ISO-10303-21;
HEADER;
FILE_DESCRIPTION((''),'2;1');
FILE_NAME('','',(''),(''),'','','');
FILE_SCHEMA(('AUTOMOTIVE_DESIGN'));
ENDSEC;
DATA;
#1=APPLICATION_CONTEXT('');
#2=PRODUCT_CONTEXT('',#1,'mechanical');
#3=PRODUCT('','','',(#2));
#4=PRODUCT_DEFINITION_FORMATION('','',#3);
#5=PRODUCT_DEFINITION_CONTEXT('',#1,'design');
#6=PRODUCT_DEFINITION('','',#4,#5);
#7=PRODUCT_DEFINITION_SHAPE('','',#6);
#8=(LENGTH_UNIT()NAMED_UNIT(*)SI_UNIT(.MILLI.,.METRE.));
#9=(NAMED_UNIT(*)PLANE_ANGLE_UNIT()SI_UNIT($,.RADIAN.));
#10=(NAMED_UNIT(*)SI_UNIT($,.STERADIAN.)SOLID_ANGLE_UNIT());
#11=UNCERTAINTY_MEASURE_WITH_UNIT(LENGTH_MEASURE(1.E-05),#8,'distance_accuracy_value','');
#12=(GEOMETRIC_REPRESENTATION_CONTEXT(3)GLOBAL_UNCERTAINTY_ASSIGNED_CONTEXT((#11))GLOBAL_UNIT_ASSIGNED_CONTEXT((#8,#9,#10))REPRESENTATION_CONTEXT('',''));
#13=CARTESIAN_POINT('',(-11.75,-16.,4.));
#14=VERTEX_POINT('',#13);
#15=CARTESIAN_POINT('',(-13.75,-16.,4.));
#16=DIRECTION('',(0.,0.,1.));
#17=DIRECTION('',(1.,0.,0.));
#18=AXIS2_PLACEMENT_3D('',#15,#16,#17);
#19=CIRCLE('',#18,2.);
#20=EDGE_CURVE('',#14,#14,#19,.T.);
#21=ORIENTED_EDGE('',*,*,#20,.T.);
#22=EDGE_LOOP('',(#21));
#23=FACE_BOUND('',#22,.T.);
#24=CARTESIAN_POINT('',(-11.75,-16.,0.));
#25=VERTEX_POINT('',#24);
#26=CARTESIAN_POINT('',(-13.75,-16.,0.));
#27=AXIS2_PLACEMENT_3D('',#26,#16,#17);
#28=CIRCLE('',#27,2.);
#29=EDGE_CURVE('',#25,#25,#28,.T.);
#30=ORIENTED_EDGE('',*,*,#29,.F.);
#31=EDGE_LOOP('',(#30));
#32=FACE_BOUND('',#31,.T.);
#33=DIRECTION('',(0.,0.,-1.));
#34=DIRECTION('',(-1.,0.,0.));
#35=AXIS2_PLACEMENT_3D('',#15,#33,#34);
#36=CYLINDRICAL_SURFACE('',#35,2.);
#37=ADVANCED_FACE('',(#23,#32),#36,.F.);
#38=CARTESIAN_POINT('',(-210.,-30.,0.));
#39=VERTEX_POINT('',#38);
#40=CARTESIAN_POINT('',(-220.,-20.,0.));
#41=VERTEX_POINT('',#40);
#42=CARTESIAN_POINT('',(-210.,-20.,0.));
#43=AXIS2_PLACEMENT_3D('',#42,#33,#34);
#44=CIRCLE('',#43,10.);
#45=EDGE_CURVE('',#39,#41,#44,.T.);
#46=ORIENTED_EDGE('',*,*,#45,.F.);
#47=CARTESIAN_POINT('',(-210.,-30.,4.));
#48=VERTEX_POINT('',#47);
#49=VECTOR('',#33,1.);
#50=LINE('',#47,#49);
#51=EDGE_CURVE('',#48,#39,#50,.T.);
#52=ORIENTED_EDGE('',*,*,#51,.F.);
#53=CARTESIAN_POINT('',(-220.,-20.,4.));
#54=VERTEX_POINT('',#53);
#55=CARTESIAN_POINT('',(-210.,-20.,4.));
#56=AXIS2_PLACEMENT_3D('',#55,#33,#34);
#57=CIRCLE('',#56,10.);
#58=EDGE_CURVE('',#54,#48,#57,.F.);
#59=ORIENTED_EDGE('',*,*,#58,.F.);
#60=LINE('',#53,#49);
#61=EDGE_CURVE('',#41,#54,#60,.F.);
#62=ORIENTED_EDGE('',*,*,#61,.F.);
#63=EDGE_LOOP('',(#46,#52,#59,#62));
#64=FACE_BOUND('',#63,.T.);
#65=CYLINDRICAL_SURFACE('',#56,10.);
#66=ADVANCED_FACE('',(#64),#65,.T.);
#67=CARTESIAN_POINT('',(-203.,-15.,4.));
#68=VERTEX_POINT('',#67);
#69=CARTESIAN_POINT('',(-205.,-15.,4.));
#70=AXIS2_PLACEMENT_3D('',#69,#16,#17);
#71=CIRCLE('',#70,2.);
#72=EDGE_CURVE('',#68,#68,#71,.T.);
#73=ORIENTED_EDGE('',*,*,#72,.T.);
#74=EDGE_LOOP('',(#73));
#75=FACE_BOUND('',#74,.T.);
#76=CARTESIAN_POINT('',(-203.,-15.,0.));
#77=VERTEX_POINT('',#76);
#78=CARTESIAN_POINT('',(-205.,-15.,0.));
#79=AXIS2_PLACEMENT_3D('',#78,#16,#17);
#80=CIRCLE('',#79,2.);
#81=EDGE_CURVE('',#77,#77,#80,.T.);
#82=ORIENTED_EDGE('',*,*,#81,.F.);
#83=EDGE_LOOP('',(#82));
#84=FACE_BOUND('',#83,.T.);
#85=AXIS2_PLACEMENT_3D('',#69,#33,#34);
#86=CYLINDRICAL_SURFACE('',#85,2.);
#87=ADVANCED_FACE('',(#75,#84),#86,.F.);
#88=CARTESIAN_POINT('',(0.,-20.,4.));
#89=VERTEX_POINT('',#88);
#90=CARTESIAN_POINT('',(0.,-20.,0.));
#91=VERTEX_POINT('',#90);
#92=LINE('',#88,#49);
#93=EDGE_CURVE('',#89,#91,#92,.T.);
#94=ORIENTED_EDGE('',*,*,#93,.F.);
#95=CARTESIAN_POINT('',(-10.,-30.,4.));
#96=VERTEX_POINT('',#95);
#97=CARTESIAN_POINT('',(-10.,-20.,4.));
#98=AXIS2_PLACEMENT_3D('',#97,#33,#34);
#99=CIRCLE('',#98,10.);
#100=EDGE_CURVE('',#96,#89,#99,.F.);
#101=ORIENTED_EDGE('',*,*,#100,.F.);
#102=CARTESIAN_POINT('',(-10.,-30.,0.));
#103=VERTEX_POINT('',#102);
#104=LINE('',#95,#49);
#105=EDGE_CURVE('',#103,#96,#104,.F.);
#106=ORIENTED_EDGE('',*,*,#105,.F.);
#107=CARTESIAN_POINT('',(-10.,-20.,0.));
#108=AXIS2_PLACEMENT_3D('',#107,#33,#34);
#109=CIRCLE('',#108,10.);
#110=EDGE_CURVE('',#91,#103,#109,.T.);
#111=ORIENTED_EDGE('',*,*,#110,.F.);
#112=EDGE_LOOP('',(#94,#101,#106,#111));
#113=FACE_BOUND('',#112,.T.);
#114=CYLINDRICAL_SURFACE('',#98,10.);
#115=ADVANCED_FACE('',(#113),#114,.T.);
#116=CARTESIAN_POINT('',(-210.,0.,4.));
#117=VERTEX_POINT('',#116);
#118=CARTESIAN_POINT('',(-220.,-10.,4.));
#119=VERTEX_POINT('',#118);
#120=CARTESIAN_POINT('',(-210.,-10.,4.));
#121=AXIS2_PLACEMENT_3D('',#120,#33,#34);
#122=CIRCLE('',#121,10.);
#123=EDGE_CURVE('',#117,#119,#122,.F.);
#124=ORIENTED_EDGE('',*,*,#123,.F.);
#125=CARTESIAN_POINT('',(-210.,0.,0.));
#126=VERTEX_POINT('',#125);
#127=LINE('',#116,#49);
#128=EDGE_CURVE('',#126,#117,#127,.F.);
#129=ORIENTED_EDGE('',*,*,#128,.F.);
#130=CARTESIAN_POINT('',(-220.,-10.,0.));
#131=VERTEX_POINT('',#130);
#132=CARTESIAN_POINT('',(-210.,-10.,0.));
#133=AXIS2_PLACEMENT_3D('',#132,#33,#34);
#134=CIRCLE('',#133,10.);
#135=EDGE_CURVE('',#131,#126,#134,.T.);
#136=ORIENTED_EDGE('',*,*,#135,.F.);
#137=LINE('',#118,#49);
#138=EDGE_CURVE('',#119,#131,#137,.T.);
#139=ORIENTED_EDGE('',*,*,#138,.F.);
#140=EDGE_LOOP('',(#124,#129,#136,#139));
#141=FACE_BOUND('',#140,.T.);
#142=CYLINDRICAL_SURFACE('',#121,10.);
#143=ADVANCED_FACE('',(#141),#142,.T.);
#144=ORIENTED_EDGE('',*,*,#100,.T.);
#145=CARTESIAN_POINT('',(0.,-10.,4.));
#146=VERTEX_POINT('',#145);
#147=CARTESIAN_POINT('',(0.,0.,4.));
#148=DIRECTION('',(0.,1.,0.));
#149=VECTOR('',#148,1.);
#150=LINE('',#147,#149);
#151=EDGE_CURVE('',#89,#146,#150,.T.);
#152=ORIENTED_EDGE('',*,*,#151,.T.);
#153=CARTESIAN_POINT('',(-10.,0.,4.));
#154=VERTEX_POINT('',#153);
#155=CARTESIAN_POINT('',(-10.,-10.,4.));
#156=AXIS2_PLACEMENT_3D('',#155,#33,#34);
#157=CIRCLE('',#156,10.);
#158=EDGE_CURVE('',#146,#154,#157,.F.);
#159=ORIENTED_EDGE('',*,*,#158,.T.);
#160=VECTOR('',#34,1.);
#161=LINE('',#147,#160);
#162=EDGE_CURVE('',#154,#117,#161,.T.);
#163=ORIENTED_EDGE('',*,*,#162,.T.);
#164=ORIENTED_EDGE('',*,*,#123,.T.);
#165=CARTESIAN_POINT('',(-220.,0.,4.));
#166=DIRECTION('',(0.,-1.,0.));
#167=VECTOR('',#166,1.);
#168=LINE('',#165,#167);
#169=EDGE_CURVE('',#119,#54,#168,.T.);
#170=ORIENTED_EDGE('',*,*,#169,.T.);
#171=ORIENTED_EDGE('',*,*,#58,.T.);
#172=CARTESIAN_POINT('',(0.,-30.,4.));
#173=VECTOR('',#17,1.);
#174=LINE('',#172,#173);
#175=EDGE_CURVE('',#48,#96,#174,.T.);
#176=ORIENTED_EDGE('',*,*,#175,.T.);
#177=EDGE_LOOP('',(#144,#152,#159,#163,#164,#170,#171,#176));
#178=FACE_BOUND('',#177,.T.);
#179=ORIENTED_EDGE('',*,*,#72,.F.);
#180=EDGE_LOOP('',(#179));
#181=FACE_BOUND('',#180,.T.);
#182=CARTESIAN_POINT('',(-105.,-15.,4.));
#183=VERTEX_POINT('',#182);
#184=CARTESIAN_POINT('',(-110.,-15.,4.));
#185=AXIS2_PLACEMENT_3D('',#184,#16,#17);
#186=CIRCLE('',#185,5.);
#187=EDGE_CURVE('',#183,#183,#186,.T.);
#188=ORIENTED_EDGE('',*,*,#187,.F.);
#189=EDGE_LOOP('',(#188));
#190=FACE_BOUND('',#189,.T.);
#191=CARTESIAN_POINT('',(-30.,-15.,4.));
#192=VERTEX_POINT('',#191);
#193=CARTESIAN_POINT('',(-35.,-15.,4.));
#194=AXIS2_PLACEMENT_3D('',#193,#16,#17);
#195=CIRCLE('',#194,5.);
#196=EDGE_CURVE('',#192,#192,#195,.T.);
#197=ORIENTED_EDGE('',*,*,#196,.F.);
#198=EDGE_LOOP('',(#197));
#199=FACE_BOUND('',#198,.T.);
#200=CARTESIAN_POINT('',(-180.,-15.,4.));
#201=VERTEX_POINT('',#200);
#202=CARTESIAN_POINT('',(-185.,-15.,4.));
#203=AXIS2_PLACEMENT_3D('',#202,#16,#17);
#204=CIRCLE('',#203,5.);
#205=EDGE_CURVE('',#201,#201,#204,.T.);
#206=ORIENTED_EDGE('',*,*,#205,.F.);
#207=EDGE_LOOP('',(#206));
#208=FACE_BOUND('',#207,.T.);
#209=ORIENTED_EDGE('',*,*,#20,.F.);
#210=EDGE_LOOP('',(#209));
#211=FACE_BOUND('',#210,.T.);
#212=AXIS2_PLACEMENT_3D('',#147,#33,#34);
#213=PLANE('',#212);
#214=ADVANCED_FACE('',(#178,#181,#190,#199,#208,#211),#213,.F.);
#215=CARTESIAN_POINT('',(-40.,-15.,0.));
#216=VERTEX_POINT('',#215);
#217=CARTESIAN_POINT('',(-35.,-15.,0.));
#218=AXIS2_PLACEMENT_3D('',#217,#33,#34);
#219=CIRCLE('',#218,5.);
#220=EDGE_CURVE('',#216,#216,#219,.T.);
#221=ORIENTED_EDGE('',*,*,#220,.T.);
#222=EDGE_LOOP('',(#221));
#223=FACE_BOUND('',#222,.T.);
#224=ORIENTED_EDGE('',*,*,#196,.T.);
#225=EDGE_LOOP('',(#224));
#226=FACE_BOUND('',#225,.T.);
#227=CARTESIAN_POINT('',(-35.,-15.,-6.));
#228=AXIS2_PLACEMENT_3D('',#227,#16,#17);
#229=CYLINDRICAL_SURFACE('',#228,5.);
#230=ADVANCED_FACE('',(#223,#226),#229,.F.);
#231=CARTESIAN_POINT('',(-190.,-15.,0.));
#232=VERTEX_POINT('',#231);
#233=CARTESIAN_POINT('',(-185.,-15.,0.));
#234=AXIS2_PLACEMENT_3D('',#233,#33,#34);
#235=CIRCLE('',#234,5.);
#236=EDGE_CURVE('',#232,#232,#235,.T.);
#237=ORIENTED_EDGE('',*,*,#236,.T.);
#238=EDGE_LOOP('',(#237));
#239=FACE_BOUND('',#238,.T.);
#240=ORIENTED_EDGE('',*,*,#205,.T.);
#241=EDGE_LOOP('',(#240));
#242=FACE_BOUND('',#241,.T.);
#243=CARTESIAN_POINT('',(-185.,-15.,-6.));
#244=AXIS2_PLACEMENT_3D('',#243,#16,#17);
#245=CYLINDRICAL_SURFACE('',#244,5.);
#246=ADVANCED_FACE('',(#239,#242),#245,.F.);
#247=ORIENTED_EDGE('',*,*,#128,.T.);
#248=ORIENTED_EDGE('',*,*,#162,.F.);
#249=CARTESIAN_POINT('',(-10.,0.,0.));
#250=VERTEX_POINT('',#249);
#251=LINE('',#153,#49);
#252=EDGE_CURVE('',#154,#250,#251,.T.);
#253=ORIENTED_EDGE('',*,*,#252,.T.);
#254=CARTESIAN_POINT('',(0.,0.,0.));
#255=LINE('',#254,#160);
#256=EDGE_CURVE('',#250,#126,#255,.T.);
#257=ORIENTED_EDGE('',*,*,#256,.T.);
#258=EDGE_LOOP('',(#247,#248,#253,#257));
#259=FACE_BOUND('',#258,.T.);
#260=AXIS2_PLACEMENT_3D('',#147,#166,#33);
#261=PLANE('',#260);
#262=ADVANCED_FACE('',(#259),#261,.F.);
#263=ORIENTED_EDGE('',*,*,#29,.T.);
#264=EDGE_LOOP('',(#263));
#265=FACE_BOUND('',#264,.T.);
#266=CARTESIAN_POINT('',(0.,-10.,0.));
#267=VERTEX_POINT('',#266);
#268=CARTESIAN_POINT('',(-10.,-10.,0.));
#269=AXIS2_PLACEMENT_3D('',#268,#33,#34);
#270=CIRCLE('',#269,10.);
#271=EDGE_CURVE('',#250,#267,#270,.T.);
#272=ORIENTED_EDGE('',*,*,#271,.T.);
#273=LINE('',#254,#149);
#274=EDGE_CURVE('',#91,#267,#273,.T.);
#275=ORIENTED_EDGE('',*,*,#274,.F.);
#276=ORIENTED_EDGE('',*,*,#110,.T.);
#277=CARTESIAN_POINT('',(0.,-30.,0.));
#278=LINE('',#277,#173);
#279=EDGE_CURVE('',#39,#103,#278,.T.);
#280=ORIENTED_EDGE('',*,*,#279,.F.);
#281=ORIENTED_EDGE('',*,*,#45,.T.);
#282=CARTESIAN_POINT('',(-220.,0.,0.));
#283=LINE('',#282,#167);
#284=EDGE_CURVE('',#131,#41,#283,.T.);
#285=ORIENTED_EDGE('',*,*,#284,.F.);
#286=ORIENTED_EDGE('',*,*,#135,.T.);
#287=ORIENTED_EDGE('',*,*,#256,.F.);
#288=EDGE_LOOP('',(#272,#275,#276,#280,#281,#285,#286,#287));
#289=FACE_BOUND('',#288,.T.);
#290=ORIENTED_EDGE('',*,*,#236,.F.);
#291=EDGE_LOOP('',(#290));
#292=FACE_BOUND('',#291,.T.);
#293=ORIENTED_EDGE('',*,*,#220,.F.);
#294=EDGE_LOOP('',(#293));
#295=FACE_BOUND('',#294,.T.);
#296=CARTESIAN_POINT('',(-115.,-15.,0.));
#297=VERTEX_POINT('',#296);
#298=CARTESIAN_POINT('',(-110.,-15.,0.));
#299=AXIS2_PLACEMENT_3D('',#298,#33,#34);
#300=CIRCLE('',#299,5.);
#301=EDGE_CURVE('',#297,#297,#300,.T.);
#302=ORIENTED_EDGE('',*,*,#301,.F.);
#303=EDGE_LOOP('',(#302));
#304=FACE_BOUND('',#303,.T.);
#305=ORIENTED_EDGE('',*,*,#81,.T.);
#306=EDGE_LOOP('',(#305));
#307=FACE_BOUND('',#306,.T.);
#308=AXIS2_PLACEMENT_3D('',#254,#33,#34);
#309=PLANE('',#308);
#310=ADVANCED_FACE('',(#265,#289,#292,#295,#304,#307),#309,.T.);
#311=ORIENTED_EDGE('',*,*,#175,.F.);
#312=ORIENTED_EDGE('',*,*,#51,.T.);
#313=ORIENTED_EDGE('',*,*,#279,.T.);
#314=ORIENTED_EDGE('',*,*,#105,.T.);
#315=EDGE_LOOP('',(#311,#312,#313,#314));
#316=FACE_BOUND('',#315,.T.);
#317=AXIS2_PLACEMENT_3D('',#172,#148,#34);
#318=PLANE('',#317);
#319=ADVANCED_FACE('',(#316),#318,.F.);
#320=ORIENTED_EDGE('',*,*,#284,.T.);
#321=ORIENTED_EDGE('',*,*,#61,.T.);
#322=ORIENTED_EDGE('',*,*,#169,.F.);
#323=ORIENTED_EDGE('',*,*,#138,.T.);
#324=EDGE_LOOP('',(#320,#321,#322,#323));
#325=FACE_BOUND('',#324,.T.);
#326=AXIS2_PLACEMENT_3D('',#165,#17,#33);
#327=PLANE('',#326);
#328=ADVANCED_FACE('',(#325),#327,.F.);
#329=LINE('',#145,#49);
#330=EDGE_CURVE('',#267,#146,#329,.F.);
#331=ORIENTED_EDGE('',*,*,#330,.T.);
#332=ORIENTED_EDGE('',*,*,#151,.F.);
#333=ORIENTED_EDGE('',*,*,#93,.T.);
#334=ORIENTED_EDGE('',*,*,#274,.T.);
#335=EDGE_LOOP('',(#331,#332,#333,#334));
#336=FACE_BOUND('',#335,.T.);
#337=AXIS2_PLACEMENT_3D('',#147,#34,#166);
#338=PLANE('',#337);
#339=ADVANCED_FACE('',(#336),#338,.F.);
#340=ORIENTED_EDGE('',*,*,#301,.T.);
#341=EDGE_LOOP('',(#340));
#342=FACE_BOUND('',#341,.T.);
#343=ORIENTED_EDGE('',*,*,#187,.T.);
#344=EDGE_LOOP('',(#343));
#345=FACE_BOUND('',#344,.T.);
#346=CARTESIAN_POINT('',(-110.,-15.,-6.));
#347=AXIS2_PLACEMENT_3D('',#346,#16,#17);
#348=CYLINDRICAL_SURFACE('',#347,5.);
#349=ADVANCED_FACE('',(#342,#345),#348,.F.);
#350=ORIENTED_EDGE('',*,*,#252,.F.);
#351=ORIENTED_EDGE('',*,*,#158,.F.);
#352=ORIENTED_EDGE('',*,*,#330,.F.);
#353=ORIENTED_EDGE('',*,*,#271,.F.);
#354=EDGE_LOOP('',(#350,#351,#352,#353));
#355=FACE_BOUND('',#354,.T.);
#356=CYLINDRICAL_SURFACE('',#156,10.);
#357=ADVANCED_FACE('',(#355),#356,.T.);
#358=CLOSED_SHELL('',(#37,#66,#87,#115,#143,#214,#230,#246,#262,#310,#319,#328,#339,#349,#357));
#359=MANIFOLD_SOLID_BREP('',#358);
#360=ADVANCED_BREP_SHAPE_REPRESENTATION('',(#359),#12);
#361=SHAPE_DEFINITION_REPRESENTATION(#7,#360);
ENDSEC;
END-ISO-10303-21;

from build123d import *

# Parameters (mm, degrees)
SKETCH1_W           = 220
SKETCH1_H           = 30
SKETCH1_R           = 2
BOSS_EXTRUDE1_DEPTH = 4
FILLET1_R           = 10
SKETCH2_R           = 5
CUT_EXTRUDE1_DEPTH  = 10


with BuildPart() as part:
    # Sketch1 → Boss-Extrude1 (new body)
    with BuildSketch(Plane.XY):
        with Locations((-110, -15)):
            Rectangle(SKETCH1_W, SKETCH1_H)
        with Locations((-205, -15)):
            Circle(SKETCH1_R, mode=Mode.SUBTRACT)
        with Locations((-13.75, -16)):
            Circle(SKETCH1_R, mode=Mode.SUBTRACT)
    extrude(amount=BOSS_EXTRUDE1_DEPTH)

    # Fillet1
    fillet1_edges = [part.edges().sort_by_distance(p)[0] for p in [
        (0, -30, 2),
        (-220, -30, 2),
        (-220, 0, 2),
        (0, 0, 2),
    ]]
    fillet(fillet1_edges, radius=FILLET1_R)

    # Sketch2 → Cut-Extrude1 (cut)
    with BuildSketch(Plane.XY.offset(4)):
        with Locations((-185, -15)):
            Circle(SKETCH2_R)
        with Locations((-110, -15)):
            Circle(SKETCH2_R)
        with Locations((-35, -15)):
            Circle(SKETCH2_R)
    extrude(amount=-CUT_EXTRUDE1_DEPTH, mode=Mode.SUBTRACT)


solid = part.part
